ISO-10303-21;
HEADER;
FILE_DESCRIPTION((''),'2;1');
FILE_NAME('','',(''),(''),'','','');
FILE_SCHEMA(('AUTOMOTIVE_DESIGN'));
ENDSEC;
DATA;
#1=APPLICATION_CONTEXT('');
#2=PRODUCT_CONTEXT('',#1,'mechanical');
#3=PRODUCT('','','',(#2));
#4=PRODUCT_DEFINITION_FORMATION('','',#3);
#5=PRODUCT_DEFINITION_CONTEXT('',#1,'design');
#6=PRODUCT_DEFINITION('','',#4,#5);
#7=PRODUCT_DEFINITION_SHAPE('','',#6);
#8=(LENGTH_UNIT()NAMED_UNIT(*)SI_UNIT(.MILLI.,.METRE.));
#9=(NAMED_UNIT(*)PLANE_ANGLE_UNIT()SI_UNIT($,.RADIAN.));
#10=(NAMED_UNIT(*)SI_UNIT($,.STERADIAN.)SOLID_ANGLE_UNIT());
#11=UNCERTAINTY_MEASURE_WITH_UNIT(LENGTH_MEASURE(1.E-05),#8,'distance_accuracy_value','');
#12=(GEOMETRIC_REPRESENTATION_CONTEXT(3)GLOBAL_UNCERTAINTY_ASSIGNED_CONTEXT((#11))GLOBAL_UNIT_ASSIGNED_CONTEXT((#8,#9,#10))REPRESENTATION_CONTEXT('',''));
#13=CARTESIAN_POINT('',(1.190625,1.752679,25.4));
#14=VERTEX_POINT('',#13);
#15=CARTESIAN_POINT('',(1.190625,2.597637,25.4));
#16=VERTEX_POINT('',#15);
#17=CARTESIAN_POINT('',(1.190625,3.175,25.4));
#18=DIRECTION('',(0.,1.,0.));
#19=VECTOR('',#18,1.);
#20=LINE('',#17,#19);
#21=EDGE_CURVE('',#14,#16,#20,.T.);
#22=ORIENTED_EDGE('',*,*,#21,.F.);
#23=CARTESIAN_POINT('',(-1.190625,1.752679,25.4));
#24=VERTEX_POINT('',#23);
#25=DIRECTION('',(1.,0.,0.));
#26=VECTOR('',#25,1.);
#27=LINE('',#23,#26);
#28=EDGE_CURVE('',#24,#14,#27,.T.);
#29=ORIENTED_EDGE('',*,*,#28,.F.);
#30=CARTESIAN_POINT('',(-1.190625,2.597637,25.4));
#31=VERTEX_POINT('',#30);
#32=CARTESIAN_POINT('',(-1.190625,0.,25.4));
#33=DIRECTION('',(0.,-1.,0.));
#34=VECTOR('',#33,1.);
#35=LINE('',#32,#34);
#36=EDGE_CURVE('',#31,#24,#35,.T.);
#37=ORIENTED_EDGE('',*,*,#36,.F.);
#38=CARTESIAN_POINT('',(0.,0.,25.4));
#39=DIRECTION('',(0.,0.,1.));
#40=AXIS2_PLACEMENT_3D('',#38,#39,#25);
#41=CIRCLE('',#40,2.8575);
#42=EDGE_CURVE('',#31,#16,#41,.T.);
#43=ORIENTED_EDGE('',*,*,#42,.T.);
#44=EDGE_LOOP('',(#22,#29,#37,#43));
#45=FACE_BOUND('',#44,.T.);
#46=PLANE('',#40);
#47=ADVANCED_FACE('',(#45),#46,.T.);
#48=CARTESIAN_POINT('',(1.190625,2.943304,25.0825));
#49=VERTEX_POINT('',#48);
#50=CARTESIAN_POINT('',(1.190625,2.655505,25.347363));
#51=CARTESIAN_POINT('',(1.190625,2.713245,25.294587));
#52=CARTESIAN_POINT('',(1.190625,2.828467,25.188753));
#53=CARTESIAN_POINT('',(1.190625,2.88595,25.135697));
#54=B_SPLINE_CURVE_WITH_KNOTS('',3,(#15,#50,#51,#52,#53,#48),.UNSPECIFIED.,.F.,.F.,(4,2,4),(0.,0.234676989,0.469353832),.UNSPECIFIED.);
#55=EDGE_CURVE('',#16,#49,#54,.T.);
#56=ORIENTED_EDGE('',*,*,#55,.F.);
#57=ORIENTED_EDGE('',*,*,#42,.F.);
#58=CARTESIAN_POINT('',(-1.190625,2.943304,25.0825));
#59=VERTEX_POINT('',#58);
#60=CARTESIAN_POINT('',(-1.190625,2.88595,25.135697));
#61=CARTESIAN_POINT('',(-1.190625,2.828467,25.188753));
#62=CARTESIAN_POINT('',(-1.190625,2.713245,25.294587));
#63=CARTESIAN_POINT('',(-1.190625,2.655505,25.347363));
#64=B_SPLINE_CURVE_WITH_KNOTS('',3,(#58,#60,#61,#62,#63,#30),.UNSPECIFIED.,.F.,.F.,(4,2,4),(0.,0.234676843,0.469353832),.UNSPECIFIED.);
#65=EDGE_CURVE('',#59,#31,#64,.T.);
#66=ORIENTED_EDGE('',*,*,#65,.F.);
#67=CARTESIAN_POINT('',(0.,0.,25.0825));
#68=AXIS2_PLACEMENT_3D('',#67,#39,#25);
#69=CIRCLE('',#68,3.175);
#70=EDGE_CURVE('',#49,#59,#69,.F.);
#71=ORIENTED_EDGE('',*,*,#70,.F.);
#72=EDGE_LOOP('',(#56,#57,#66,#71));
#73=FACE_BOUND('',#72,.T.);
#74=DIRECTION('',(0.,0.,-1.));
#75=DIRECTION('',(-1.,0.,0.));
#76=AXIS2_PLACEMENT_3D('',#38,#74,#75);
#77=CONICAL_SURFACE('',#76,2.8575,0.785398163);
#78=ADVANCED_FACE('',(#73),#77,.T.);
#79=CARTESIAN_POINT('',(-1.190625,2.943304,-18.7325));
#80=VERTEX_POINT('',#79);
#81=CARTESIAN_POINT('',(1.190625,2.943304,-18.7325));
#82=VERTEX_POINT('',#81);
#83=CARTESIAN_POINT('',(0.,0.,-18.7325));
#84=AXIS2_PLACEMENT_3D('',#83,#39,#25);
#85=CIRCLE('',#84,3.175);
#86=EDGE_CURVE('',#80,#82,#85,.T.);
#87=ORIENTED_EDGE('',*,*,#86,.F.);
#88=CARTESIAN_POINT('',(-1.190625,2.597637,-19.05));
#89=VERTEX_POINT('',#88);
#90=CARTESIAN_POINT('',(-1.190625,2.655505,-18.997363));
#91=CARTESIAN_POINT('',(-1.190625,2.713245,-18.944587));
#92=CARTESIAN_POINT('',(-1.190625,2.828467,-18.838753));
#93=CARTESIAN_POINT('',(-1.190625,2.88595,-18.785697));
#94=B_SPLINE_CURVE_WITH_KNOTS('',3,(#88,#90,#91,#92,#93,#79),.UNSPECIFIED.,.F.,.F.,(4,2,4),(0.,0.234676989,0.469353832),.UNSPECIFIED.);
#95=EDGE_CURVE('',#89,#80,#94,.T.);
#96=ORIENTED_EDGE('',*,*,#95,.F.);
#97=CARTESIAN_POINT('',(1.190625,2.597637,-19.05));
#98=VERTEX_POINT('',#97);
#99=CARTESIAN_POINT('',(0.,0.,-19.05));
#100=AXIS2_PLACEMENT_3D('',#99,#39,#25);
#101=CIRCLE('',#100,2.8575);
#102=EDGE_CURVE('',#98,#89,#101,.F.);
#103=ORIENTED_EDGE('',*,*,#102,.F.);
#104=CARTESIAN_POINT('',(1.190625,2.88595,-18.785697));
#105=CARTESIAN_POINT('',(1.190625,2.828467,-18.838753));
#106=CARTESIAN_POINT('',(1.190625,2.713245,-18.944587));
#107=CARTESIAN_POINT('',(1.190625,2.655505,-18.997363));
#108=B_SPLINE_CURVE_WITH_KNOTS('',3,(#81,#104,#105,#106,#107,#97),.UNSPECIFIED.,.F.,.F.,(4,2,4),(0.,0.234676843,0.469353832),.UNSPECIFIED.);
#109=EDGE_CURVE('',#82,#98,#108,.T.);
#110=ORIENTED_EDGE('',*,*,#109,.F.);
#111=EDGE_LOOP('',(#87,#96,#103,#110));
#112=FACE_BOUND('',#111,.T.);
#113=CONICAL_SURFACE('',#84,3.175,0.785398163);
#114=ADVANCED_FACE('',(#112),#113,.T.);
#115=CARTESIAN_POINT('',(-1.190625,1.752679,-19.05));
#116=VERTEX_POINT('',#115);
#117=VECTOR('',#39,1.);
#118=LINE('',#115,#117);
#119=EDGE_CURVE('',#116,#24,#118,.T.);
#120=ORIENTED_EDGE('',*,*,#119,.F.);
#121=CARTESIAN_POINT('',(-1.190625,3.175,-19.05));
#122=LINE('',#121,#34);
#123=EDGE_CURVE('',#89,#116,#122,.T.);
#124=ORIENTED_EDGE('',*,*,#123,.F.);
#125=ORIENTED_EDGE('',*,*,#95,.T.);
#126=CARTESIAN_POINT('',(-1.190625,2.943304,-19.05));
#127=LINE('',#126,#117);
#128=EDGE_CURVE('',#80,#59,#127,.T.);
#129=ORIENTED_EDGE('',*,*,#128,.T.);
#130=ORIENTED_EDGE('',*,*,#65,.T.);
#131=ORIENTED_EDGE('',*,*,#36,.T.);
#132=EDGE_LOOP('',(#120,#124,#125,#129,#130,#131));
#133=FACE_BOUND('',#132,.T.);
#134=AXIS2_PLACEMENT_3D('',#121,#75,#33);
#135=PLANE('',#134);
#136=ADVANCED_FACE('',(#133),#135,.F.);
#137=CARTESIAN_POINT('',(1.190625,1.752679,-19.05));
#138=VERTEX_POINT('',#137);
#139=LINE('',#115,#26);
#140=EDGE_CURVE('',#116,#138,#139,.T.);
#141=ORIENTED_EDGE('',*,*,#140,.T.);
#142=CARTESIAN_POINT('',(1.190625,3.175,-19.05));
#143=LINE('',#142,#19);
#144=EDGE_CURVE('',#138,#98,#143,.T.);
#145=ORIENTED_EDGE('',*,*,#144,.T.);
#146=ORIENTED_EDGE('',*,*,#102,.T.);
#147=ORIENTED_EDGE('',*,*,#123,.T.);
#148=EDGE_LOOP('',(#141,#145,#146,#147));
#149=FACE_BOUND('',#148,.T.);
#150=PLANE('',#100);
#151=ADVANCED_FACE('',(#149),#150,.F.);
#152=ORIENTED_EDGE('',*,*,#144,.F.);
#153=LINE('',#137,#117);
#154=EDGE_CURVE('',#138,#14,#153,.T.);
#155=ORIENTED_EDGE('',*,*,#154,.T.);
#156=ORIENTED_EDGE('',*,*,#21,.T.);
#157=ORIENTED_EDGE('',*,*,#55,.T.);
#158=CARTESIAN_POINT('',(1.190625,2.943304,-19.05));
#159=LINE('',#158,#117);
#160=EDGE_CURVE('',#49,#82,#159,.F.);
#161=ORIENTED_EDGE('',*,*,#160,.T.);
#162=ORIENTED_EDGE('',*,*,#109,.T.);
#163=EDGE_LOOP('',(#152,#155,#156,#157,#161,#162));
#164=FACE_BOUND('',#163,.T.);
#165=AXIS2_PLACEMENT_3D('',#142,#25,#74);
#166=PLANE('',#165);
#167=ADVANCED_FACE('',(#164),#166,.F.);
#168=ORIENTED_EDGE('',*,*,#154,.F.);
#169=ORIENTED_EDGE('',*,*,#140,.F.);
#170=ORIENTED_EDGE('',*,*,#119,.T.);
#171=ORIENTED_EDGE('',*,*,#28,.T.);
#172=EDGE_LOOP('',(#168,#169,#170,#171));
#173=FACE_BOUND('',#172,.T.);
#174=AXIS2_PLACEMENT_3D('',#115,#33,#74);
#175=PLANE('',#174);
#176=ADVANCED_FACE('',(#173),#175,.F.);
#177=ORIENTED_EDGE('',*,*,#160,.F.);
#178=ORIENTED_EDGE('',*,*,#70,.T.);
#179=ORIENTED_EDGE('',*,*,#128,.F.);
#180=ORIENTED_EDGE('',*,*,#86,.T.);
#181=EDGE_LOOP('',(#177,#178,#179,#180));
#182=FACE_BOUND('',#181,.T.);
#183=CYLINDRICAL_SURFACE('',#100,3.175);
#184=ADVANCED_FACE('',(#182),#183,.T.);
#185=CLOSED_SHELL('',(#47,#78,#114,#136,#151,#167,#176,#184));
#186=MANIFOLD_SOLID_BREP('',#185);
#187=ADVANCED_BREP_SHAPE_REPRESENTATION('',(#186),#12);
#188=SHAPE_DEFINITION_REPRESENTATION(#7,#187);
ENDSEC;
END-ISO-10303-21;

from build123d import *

# Parameters (mm, degrees)
BOSS_EXTRUDE2_DEPTH      = 25.4
BOSS_EXTRUDE2_DEPTH_BACK = 19.05
SKETCH3_R                = 3.175
CUT_EXTRUDE5_DEPTH       = 26.793821935
CUT_EXTRUDE5_DEPTH_BACK  = 26.793821935
SKETCH10_W               = 2.38125
SKETCH10_H               = 1.422321225
CHAMFER1_SIZE            = 0.3175


with BuildPart() as part:
    # Sketch3 → Boss-Extrude2 (new, two sides: drawn at the far end of the back side and taken through both)
    with BuildSketch(Plane.XY.offset(-BOSS_EXTRUDE2_DEPTH_BACK)):
        Circle(SKETCH3_R)
    extrude(amount=BOSS_EXTRUDE2_DEPTH + BOSS_EXTRUDE2_DEPTH_BACK)

    # Sketch10 → Cut-Extrude5 (cut, two sides: drawn at the far end of the back side and taken through both)
    with BuildSketch(Plane.XY.offset(-CUT_EXTRUDE5_DEPTH_BACK)):
        with Locations((0, 2.463839388)):
            Rectangle(SKETCH10_W, SKETCH10_H)
    extrude(amount=CUT_EXTRUDE5_DEPTH + CUT_EXTRUDE5_DEPTH_BACK, mode=Mode.SUBTRACT)

    # Chamfer1
    chamfer1_edges = [part.edges().sort_by_distance(p)[0] for p in [
        (0, -3.175, -19.05),
        (0, -3.175, 25.4),
    ]]
    chamfer(chamfer1_edges, length=CHAMFER1_SIZE)


solid = part.part
